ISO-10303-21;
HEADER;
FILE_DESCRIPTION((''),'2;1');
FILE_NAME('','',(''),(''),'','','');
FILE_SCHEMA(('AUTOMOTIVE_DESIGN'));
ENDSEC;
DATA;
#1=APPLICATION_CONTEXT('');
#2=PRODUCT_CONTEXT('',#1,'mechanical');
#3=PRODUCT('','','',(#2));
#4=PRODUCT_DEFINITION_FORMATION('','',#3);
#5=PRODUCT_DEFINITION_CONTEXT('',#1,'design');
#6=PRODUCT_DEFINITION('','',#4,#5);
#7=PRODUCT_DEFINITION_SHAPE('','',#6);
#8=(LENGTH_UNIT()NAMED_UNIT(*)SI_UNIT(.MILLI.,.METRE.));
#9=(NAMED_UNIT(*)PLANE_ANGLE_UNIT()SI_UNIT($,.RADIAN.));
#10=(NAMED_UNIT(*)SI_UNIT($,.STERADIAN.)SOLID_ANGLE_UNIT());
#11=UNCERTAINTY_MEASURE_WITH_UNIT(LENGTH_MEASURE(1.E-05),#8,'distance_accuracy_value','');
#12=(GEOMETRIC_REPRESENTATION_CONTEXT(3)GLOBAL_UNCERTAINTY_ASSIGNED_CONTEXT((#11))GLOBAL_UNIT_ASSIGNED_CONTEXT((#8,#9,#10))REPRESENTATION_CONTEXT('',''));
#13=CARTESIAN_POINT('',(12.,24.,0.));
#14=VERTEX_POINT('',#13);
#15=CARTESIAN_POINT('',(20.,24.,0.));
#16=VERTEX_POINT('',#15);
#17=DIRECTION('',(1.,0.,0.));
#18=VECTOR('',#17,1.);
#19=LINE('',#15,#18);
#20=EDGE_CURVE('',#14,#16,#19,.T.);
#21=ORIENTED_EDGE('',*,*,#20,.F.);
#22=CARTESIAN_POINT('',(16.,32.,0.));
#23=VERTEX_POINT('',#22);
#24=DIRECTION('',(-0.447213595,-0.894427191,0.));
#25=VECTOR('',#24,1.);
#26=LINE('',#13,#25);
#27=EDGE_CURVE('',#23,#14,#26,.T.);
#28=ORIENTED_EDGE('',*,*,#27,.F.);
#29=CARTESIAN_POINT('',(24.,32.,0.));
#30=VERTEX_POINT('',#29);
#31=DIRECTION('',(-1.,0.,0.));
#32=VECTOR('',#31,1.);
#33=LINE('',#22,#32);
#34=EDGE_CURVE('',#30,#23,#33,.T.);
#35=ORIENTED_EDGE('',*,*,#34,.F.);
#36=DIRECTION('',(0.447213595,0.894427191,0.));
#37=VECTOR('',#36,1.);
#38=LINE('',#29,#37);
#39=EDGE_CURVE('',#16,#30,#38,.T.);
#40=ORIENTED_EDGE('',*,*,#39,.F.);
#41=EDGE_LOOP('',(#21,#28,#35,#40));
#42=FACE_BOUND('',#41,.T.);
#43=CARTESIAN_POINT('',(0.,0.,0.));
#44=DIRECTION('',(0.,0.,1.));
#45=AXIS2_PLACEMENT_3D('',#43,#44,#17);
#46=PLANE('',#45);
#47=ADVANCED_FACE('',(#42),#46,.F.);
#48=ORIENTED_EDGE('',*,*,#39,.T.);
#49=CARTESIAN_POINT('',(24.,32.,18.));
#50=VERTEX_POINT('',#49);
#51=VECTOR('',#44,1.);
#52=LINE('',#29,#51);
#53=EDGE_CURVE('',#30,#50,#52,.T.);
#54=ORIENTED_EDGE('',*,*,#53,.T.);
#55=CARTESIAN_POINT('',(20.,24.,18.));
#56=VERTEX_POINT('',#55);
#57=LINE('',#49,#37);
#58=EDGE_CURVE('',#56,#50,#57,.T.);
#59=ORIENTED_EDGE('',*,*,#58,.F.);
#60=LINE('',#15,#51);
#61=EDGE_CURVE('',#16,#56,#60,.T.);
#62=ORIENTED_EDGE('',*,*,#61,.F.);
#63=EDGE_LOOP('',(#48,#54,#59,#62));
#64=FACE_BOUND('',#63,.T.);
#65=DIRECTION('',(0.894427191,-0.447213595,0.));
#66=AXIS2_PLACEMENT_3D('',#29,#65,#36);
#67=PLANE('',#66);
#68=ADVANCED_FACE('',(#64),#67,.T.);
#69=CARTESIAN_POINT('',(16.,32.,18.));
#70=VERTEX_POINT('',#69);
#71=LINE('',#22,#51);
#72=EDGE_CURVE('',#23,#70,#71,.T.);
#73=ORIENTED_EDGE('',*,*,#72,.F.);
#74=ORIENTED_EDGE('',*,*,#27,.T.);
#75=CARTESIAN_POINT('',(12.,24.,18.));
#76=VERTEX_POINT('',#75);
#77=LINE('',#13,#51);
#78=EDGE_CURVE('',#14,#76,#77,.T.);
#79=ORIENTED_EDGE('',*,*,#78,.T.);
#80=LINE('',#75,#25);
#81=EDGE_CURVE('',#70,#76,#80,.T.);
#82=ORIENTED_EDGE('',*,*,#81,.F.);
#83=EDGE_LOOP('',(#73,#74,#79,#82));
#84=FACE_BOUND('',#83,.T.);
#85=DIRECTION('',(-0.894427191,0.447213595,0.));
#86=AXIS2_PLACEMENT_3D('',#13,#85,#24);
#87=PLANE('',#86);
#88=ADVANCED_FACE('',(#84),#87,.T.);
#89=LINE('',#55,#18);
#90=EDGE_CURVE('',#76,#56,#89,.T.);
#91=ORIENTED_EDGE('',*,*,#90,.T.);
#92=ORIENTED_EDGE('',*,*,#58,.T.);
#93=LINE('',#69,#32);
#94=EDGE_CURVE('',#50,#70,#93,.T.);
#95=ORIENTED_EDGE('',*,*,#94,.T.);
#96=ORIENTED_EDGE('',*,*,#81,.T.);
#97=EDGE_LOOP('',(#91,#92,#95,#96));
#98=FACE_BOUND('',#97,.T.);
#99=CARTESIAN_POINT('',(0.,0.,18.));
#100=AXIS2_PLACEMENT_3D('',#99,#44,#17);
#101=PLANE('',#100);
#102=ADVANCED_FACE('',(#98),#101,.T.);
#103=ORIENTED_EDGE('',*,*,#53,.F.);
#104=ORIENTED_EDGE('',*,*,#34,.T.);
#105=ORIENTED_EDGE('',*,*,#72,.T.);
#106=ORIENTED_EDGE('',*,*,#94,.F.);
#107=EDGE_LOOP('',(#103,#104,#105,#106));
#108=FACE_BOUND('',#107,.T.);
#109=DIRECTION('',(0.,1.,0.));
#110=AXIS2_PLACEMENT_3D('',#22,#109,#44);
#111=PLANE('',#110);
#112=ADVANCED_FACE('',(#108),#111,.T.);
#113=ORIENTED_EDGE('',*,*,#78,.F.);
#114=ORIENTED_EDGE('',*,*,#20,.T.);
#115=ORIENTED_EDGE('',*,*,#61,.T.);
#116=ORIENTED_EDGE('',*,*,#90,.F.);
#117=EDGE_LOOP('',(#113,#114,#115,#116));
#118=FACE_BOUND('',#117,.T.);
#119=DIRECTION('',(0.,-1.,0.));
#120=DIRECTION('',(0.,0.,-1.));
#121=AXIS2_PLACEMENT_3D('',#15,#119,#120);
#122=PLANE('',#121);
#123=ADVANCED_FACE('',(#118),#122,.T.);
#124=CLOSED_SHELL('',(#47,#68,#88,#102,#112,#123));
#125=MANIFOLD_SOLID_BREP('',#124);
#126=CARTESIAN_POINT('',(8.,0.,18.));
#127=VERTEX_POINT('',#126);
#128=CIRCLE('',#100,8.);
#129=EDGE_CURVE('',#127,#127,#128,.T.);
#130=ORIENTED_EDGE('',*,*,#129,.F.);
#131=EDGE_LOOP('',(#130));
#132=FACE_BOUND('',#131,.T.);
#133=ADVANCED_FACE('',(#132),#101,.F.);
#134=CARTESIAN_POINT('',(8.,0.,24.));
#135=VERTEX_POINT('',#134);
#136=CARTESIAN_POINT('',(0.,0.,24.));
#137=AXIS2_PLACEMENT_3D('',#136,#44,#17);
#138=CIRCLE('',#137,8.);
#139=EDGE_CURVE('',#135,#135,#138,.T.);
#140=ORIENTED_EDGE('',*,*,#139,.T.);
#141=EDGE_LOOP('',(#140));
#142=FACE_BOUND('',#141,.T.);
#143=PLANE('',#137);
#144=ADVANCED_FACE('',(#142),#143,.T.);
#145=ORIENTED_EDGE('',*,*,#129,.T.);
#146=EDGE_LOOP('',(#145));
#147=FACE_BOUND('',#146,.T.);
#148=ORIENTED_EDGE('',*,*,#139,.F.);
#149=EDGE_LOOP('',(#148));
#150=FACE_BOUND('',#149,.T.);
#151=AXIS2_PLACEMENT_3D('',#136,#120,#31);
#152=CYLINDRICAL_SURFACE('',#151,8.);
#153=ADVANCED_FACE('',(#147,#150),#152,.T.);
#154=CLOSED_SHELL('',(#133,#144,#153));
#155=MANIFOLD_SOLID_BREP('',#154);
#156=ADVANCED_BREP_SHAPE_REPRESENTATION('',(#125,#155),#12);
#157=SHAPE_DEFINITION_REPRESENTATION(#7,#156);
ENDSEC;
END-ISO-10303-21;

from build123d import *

# Parameters (mm, degrees)
SKETCH_1_R          = 8
EXTRUDE_1_DEPTH     = 24
SKETCH_2_R          = 42
EXTRUDE_2_DEPTH     = 18
SKETCH_3_OUTSIDE_W  = 110.238
SKETCH_3_OUTSIDE_H  = 110.238
CUT_EXTRUDE_1_DEPTH = 63.064482597


with BuildPart() as part:
    # 草图1 → 凸台-拉伸1 (new body)
    with BuildSketch(Plane.XY):
        Circle(SKETCH_1_R)
    extrude(amount=EXTRUDE_1_DEPTH)

    # 草图2 → 凸台-拉伸2 (add)
    with BuildSketch(Plane.XY):
        Circle(SKETCH_2_R)
    extrude(amount=EXTRUDE_2_DEPTH)

    # 草图3 outside → 切除-拉伸1 (cut, through all)
    with BuildSketch(Plane.XY.offset(18)):
        Rectangle(SKETCH_3_OUTSIDE_W, SKETCH_3_OUTSIDE_H)
        Polygon((16, 32), (24, 32), (20, 24), (12, 24), align=None, mode=Mode.SUBTRACT)
    extrude(amount=-CUT_EXTRUDE_1_DEPTH, mode=Mode.SUBTRACT)


with BuildPart() as cut_extrude_1_piece_1:
    # of the separate pieces the step leaves, piece 1, a body of its own (cut_extrude_1_pieces)
    add(part.part.solids().sort_by_distance((8, 0, 18))[0])


with BuildPart() as cut_extrude_1_piece_2:
    # of the separate pieces the step leaves, piece 2, a body of its own (cut_extrude_1_pieces)
    add(part.part.solids().sort_by_distance((16, 32, 0))[0])


solid = Compound([cut_extrude_1_piece_1.part, cut_extrude_1_piece_2.part])
